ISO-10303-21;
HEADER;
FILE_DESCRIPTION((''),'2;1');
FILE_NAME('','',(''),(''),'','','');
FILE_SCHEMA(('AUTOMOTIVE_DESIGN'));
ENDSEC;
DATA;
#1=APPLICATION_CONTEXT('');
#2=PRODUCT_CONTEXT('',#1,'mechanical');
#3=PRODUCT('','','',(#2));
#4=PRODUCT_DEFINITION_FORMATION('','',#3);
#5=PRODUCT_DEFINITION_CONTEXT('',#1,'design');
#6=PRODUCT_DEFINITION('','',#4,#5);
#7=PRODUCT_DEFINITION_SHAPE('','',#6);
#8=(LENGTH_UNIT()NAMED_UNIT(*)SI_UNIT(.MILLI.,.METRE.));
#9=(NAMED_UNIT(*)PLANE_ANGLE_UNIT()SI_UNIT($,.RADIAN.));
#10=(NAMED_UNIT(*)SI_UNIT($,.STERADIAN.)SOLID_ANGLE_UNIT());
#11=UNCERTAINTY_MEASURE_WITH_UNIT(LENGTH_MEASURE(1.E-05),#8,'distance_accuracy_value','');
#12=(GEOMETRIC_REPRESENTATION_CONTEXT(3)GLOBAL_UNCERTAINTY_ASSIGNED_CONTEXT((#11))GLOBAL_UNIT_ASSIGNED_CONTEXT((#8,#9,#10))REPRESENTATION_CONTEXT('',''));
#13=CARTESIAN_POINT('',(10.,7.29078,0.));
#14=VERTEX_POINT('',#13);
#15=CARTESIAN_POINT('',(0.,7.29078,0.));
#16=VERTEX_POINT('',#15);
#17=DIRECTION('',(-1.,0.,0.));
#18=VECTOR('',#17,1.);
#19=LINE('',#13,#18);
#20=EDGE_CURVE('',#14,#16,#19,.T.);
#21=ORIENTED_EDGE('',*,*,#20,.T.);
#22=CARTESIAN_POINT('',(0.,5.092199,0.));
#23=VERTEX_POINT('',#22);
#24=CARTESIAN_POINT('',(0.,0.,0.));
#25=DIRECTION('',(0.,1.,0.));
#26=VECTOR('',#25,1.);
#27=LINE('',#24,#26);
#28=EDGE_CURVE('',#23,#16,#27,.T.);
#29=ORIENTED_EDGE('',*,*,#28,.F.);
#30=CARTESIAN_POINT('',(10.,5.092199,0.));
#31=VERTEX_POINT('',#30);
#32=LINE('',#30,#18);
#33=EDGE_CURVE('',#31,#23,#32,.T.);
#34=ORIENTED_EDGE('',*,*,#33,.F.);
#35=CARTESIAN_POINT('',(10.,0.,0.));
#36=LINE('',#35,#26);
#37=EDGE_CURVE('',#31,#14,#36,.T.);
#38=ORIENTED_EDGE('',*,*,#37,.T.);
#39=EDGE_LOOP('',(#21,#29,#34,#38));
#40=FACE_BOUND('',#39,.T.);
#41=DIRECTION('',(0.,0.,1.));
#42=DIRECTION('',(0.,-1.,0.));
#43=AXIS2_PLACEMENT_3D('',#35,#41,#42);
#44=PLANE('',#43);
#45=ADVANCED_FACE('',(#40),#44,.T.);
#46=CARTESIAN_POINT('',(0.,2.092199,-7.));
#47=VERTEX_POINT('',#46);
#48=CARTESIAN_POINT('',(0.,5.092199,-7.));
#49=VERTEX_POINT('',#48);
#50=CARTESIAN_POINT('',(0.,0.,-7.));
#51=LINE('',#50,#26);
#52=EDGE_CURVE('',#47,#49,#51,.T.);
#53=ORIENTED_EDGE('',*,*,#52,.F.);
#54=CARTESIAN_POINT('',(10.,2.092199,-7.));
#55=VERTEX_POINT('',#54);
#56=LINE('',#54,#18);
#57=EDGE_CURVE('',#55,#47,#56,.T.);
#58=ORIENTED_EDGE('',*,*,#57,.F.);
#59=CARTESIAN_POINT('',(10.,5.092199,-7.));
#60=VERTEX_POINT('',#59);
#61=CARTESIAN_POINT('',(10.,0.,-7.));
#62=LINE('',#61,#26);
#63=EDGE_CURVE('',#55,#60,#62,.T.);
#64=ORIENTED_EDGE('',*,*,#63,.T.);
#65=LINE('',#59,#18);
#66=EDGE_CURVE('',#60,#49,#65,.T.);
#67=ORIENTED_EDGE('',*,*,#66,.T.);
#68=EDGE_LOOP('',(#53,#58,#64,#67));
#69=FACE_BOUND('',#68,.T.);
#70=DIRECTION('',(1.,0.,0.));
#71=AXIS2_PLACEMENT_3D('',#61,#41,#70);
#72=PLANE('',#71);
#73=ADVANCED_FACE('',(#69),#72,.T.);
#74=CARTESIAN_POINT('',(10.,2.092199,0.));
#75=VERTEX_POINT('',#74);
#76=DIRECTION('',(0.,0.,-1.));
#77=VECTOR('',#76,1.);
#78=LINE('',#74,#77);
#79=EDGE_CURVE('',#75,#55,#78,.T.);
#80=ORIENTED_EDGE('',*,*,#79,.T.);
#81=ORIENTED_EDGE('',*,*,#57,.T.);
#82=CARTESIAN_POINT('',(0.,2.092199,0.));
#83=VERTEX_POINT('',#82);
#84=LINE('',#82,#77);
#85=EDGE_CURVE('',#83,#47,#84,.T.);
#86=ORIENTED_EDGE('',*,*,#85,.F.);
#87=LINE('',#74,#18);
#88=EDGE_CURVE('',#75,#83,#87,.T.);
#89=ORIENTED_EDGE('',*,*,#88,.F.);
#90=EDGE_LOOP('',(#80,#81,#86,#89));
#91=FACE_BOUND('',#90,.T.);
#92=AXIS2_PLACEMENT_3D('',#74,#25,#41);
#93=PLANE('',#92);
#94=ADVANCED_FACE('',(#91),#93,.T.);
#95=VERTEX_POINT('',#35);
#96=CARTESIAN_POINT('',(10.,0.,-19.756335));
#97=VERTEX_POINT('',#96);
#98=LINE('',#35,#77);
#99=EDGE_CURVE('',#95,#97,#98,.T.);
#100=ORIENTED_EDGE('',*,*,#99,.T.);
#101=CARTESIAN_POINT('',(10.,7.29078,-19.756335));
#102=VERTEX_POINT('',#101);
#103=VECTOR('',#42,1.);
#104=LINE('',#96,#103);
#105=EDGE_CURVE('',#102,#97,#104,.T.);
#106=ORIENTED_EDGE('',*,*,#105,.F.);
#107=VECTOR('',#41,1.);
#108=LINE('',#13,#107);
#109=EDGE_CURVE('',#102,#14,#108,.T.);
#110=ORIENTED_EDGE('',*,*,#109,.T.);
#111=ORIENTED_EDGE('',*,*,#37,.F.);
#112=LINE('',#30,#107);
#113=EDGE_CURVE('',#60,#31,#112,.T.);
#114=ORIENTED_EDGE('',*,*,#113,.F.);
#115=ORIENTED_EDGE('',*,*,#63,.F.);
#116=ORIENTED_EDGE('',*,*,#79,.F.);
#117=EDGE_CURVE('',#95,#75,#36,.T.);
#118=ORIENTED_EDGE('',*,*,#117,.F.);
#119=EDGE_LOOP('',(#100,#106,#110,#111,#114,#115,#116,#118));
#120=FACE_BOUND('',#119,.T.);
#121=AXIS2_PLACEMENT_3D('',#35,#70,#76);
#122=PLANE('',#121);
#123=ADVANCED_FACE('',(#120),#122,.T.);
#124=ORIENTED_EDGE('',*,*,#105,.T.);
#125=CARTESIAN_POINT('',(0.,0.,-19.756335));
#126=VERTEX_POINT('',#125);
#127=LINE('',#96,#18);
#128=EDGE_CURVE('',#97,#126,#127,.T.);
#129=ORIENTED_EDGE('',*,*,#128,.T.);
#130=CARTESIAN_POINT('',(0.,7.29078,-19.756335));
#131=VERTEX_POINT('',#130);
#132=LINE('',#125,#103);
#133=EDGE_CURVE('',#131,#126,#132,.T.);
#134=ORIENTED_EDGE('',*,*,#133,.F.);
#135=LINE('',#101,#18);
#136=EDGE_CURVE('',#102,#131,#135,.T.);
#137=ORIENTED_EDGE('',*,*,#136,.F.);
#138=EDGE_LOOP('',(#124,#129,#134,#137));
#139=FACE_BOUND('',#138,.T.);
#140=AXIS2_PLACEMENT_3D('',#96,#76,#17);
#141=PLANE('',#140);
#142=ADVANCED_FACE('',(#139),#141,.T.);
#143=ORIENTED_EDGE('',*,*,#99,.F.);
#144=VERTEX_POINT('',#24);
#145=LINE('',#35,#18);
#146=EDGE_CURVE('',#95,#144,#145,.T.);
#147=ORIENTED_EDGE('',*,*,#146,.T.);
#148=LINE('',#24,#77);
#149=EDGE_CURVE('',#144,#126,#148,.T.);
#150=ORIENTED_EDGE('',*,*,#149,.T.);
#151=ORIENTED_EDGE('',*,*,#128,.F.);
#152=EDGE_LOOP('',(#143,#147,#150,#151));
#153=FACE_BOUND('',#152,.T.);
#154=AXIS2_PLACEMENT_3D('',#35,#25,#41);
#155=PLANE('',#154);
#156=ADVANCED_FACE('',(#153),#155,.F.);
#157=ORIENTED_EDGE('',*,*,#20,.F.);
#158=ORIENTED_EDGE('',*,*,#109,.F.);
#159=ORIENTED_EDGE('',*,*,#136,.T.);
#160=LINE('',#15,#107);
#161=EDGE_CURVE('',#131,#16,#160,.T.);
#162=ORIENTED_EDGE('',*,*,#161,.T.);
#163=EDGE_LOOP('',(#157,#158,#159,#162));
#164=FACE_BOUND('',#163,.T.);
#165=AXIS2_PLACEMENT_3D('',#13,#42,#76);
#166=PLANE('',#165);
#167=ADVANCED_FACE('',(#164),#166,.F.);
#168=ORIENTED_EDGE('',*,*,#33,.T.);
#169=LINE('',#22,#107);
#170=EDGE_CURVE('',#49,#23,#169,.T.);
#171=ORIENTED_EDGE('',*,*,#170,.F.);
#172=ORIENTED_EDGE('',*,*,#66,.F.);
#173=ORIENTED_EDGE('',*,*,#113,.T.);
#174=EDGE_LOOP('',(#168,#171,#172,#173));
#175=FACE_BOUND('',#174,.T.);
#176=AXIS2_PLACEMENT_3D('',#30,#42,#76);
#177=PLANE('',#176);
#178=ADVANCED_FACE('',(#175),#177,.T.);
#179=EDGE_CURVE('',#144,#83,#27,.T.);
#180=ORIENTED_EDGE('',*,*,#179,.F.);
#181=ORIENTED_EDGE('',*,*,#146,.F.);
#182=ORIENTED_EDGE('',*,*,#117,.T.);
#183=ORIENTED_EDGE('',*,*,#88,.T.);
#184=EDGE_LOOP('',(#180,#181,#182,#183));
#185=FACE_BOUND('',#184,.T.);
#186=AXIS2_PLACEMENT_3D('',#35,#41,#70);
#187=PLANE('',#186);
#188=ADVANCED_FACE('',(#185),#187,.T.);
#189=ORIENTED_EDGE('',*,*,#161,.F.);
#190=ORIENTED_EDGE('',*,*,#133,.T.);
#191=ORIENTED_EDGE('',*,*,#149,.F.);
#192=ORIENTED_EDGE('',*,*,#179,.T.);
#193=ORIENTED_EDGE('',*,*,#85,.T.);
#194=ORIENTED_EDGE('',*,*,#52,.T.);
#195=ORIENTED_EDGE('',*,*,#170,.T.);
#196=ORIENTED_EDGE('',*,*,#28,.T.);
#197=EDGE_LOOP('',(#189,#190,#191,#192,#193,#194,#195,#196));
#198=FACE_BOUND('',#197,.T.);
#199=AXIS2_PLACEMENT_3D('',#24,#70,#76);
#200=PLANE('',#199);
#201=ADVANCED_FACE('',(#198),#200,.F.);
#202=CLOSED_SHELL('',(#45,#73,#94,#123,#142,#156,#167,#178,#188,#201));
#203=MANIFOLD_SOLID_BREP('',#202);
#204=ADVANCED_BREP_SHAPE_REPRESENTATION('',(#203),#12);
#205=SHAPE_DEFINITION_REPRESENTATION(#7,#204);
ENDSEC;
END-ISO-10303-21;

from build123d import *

# Parameters (mm, degrees)
EXTRUDE_1_DEPTH = 10


with BuildPart() as part:
    # 草图1 → 凸台-拉伸1 (new body)
    with BuildSketch(Plane(origin=(0, 0, 0), x_dir=(0, 0, -1), z_dir=(1, 0, 0))):
        Polygon((0, 2.092198582), (0, 0), (19.7563346, 0), (19.7563346, 7.290780142), (0, 7.290780142), (0, 5.092198582), (7, 5.092198582), (7, 2.092198582), align=None)
    extrude(amount=EXTRUDE_1_DEPTH)


solid = part.part
